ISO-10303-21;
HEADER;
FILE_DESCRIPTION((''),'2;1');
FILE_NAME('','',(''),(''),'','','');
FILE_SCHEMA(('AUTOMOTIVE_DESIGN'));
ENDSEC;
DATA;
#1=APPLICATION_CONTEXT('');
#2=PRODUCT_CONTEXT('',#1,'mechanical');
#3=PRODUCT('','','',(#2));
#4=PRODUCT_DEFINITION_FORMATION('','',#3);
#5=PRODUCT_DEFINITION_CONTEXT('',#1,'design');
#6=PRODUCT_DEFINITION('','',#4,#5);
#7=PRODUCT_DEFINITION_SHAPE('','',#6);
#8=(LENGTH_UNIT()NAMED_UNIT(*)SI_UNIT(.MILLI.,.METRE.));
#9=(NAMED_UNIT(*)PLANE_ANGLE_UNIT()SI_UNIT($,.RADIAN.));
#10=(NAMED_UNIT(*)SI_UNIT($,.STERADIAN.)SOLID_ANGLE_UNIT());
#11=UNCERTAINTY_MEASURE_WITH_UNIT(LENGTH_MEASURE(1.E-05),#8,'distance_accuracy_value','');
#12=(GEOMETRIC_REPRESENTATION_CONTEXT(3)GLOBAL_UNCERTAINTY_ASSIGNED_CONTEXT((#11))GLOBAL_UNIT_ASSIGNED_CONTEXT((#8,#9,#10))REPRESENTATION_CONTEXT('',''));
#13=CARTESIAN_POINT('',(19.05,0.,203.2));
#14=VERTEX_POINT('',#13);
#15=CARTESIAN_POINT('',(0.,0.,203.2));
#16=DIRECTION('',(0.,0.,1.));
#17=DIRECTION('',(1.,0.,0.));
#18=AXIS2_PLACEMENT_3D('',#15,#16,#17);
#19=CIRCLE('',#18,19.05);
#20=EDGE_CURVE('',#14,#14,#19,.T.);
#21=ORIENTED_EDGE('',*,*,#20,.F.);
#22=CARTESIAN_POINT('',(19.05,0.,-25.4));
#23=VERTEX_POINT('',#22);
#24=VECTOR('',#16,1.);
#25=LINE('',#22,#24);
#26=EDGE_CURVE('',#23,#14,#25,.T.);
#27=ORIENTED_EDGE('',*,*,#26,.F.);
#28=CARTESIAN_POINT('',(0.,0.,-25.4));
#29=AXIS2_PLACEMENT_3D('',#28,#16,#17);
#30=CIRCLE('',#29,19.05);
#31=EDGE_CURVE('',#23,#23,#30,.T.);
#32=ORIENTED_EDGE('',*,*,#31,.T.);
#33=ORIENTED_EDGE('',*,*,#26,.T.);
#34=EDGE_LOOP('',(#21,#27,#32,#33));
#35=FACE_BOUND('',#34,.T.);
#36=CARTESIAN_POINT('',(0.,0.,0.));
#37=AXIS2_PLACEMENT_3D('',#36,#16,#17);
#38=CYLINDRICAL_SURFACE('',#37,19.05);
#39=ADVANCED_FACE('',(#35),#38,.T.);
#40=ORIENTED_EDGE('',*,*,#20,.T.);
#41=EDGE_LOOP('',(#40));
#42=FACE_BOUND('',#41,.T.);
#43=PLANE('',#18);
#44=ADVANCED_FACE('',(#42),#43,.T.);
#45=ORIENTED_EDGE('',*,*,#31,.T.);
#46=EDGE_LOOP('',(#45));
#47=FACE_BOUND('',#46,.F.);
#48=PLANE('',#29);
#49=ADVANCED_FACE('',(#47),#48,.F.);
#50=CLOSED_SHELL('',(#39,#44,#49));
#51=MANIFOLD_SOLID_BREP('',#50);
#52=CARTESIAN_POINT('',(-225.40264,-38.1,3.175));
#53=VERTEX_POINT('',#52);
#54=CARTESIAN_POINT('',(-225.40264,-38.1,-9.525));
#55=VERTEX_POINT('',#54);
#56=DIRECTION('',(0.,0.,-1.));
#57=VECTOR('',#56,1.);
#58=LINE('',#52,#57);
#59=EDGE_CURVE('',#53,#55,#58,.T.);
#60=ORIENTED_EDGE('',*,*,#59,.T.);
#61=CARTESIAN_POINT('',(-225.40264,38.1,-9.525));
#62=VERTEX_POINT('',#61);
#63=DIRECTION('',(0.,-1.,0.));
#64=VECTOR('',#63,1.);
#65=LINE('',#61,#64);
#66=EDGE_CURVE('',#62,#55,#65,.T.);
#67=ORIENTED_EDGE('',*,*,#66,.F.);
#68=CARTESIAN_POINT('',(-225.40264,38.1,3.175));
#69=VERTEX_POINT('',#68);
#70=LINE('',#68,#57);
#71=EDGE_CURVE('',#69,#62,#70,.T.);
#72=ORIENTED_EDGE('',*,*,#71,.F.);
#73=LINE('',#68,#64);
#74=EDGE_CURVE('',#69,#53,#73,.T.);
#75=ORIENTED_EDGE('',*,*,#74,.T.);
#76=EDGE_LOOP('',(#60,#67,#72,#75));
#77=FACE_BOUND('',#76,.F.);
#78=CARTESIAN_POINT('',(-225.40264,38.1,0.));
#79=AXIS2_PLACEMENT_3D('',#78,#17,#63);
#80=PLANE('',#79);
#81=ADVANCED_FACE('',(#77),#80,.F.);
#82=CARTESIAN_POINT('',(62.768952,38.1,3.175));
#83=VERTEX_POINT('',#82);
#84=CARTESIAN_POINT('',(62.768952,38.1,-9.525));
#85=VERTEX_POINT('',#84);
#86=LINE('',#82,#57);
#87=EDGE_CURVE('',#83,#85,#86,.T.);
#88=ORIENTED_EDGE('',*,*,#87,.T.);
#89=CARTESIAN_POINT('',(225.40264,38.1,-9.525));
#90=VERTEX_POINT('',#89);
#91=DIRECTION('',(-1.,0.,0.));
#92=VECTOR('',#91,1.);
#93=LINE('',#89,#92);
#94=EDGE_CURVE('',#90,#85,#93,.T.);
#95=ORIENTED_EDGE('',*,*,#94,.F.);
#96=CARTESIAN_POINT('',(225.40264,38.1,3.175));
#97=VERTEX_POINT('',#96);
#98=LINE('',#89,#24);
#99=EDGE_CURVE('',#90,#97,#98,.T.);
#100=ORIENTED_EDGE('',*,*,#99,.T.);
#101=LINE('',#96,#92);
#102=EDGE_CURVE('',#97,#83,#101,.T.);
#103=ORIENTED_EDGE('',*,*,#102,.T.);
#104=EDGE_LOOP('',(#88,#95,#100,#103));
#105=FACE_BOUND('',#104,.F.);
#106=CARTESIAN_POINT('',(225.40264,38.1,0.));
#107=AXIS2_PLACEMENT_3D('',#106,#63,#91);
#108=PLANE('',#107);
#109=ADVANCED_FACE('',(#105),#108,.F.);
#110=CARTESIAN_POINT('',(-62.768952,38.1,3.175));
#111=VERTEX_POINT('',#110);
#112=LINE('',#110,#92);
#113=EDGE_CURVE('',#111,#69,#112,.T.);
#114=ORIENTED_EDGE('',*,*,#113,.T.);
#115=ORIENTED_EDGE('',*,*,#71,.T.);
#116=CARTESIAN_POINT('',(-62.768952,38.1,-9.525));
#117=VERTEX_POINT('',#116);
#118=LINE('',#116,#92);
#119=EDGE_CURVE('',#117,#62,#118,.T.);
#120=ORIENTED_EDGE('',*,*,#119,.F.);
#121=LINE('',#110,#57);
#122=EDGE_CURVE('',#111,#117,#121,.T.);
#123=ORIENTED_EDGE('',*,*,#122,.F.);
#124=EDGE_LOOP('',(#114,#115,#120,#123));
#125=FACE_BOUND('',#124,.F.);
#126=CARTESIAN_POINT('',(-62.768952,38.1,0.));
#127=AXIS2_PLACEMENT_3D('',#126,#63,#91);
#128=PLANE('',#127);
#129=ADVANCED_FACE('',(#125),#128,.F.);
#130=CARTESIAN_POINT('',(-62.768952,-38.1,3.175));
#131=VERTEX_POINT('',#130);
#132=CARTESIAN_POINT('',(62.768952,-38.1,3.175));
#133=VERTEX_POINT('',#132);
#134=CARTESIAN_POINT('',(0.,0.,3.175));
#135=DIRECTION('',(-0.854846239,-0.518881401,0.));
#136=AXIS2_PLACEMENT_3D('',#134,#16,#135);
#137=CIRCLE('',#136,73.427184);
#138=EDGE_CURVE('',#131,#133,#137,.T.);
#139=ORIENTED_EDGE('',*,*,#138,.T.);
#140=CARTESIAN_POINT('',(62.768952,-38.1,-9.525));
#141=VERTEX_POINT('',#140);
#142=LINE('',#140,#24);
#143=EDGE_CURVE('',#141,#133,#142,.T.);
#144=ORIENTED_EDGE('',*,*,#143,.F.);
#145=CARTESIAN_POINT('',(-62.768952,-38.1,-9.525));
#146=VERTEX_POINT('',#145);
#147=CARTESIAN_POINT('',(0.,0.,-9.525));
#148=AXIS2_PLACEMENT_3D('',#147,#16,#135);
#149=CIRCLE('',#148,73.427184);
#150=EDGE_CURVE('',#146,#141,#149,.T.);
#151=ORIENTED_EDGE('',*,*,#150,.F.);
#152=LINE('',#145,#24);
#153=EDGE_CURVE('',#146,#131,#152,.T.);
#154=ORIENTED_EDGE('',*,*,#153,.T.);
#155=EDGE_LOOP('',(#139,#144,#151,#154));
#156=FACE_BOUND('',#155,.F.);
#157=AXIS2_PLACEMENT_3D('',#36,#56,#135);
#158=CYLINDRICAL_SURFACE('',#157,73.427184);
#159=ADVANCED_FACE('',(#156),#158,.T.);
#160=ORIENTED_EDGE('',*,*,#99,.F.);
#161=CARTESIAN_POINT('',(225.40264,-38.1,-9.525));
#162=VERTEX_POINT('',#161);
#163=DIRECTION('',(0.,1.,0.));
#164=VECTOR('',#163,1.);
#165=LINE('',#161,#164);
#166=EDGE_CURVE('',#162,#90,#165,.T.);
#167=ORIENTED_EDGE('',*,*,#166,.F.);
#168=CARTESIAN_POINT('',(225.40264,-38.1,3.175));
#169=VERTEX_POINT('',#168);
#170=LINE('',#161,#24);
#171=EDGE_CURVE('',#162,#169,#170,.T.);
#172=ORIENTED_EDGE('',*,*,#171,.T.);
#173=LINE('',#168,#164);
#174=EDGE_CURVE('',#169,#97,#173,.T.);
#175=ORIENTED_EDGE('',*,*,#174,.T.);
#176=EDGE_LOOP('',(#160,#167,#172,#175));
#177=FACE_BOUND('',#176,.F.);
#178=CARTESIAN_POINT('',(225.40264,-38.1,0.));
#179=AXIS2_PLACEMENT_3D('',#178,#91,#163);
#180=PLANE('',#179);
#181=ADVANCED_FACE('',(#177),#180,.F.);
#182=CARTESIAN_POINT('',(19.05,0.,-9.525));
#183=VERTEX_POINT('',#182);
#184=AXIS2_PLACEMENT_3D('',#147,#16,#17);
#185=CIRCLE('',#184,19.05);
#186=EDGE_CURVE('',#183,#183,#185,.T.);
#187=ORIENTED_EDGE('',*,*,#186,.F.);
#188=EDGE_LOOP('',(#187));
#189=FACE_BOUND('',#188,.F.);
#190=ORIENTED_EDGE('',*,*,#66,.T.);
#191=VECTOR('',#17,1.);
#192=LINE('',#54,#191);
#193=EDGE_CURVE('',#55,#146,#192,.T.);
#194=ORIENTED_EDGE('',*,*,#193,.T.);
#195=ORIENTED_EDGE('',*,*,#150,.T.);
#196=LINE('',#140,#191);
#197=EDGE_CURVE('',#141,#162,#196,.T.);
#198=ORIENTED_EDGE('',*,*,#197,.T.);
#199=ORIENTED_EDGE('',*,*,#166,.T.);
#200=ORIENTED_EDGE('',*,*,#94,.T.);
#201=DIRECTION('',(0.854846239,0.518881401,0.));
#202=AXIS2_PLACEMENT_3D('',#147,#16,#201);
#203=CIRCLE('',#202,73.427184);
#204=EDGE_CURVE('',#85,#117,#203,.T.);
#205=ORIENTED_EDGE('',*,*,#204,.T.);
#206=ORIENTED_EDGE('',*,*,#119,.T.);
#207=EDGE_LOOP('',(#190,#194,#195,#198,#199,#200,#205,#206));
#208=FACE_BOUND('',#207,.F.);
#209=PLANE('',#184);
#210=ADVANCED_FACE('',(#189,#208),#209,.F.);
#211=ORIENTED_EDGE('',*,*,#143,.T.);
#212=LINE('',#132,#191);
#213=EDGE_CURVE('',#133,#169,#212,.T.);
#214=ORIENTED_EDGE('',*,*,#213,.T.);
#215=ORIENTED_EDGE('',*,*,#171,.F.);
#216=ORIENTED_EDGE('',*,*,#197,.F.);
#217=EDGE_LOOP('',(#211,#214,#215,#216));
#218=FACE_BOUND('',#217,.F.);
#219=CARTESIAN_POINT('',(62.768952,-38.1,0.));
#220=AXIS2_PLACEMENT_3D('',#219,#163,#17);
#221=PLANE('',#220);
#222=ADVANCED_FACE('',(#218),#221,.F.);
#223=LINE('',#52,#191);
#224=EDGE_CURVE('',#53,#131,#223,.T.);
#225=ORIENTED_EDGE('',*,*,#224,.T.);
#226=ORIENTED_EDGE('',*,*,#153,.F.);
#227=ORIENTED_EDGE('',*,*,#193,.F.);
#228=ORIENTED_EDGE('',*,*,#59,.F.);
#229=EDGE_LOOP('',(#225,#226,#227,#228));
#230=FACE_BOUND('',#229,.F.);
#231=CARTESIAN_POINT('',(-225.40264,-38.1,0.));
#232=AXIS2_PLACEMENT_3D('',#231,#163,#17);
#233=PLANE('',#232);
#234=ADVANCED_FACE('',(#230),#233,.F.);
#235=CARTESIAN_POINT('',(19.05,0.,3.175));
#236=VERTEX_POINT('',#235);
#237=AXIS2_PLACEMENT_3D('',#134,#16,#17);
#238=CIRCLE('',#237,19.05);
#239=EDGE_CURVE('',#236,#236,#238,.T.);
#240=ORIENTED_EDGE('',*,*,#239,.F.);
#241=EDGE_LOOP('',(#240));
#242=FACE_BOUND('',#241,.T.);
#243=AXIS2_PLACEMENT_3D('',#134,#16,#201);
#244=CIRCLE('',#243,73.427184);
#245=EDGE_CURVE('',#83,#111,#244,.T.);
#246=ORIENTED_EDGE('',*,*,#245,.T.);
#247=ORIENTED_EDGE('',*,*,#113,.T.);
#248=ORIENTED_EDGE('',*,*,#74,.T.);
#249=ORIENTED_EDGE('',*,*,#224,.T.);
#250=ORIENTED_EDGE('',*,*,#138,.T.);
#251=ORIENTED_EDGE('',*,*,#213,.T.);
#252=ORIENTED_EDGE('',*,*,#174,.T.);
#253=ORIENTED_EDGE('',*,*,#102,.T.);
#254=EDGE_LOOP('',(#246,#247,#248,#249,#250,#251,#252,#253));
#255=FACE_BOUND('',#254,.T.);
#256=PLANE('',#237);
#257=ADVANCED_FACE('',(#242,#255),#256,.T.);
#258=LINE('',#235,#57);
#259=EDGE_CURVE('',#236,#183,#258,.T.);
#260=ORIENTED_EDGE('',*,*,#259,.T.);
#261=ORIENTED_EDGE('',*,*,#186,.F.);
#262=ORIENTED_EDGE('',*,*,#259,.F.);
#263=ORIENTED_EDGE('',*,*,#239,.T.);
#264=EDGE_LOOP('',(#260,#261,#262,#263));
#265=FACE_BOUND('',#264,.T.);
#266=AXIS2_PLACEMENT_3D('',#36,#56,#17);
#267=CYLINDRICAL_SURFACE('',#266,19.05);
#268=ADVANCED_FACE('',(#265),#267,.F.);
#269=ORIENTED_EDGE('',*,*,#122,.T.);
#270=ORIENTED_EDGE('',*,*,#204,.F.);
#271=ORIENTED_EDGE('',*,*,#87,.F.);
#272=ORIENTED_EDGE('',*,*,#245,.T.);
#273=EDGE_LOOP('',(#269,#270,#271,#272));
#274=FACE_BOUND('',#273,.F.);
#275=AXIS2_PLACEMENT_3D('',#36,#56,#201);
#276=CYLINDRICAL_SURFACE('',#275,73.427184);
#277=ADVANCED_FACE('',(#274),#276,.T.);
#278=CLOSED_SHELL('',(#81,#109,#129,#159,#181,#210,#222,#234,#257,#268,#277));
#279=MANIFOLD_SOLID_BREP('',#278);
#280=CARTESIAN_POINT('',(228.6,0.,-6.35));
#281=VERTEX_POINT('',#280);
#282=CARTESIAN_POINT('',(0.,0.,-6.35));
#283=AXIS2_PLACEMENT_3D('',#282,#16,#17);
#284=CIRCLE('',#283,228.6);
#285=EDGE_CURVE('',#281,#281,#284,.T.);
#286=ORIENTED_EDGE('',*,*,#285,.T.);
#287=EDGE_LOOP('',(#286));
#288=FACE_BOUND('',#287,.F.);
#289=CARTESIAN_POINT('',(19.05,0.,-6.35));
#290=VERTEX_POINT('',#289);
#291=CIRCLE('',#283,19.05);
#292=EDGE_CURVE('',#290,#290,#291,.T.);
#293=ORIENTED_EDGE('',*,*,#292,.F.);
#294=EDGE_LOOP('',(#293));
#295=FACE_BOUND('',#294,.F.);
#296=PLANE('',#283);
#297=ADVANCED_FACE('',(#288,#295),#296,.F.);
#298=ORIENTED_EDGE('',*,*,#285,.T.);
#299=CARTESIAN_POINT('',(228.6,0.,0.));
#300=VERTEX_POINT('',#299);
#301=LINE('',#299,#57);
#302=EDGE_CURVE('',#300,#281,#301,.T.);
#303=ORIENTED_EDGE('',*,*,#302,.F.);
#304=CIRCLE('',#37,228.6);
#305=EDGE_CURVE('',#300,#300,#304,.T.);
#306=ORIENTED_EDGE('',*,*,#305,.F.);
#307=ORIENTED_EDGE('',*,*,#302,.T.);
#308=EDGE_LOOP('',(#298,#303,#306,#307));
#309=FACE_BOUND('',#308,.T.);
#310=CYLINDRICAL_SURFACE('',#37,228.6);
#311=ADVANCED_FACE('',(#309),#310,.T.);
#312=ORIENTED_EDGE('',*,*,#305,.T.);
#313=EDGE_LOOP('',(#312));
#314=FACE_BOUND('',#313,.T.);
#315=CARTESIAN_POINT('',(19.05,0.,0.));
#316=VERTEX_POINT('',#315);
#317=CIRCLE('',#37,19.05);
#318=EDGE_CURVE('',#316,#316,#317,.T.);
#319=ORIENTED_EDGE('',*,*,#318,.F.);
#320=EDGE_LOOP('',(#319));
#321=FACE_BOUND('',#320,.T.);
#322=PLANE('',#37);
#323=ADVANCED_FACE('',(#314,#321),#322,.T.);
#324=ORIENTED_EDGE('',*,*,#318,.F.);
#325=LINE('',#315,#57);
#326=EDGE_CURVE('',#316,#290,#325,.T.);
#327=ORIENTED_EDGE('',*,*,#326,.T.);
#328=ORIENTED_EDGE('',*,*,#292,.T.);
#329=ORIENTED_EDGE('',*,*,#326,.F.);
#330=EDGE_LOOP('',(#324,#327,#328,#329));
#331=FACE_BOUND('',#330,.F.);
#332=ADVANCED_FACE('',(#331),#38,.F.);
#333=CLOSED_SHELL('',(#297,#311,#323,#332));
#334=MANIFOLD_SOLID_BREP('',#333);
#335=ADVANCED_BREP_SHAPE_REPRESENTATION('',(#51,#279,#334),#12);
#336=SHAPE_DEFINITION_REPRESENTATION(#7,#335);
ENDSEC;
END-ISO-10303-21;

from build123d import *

# Parameters (mm, degrees)
F0_R          = 228.6
F0_R_2        = 19.05
F1_DEPTH      = 6.35
F2_DEPTH      = 203.2
F2_DEPTH_BACK = 25.4
F3_R          = 19.05
F4_DEPTH      = 9.525
F4_DEPTH_BACK = 3.175


with BuildPart() as f1:
    # F0 (on Top) → F1 (new body)
    with BuildSketch(Plane.XY):
        Circle(F0_R)
        Circle(F0_R_2, mode=Mode.SUBTRACT)
    extrude(amount=-F1_DEPTH)


with BuildPart() as f2:
    # F0 (on Top) → F2 (new body, two sides)
    with BuildSketch(Plane.XY) as f2_sk:
        Circle(F0_R_2)
    extrude(amount=F2_DEPTH)
    extrude(f2_sk.sketch, amount=-F2_DEPTH_BACK)


with BuildPart() as f4:
    # F3 (on face) → F4 (new body, two sides)
    with BuildSketch(Plane.XY) as f4_sk:
        with BuildLine():
            Line((-225.4026397361, -38.1), (-62.7689518813, -38.1))
            ThreePointArc((-62.7689518813, -38.1), (0, -73.4271837964), (62.7689518813, -38.1))
            Line((62.7689518813, -38.1), (225.4026397361, -38.1))
            Line((225.4026397361, -38.1), (225.4026397361, 38.1))
            Line((225.4026397361, 38.1), (62.7689518813, 38.1))
            ThreePointArc((62.7689518813, 38.1), (0, 73.4271837964), (-62.7689518813, 38.1))
            Line((-62.7689518813, 38.1), (-225.4026397361, 38.1))
            Line((-225.4026397361, 38.1), (-225.4026397361, -38.1))
        make_face()
        Circle(F3_R, mode=Mode.SUBTRACT)
    extrude(amount=-F4_DEPTH)
    extrude(f4_sk.sketch, amount=F4_DEPTH_BACK)


solid = Compound([f1.part, f2.part, f4.part])
